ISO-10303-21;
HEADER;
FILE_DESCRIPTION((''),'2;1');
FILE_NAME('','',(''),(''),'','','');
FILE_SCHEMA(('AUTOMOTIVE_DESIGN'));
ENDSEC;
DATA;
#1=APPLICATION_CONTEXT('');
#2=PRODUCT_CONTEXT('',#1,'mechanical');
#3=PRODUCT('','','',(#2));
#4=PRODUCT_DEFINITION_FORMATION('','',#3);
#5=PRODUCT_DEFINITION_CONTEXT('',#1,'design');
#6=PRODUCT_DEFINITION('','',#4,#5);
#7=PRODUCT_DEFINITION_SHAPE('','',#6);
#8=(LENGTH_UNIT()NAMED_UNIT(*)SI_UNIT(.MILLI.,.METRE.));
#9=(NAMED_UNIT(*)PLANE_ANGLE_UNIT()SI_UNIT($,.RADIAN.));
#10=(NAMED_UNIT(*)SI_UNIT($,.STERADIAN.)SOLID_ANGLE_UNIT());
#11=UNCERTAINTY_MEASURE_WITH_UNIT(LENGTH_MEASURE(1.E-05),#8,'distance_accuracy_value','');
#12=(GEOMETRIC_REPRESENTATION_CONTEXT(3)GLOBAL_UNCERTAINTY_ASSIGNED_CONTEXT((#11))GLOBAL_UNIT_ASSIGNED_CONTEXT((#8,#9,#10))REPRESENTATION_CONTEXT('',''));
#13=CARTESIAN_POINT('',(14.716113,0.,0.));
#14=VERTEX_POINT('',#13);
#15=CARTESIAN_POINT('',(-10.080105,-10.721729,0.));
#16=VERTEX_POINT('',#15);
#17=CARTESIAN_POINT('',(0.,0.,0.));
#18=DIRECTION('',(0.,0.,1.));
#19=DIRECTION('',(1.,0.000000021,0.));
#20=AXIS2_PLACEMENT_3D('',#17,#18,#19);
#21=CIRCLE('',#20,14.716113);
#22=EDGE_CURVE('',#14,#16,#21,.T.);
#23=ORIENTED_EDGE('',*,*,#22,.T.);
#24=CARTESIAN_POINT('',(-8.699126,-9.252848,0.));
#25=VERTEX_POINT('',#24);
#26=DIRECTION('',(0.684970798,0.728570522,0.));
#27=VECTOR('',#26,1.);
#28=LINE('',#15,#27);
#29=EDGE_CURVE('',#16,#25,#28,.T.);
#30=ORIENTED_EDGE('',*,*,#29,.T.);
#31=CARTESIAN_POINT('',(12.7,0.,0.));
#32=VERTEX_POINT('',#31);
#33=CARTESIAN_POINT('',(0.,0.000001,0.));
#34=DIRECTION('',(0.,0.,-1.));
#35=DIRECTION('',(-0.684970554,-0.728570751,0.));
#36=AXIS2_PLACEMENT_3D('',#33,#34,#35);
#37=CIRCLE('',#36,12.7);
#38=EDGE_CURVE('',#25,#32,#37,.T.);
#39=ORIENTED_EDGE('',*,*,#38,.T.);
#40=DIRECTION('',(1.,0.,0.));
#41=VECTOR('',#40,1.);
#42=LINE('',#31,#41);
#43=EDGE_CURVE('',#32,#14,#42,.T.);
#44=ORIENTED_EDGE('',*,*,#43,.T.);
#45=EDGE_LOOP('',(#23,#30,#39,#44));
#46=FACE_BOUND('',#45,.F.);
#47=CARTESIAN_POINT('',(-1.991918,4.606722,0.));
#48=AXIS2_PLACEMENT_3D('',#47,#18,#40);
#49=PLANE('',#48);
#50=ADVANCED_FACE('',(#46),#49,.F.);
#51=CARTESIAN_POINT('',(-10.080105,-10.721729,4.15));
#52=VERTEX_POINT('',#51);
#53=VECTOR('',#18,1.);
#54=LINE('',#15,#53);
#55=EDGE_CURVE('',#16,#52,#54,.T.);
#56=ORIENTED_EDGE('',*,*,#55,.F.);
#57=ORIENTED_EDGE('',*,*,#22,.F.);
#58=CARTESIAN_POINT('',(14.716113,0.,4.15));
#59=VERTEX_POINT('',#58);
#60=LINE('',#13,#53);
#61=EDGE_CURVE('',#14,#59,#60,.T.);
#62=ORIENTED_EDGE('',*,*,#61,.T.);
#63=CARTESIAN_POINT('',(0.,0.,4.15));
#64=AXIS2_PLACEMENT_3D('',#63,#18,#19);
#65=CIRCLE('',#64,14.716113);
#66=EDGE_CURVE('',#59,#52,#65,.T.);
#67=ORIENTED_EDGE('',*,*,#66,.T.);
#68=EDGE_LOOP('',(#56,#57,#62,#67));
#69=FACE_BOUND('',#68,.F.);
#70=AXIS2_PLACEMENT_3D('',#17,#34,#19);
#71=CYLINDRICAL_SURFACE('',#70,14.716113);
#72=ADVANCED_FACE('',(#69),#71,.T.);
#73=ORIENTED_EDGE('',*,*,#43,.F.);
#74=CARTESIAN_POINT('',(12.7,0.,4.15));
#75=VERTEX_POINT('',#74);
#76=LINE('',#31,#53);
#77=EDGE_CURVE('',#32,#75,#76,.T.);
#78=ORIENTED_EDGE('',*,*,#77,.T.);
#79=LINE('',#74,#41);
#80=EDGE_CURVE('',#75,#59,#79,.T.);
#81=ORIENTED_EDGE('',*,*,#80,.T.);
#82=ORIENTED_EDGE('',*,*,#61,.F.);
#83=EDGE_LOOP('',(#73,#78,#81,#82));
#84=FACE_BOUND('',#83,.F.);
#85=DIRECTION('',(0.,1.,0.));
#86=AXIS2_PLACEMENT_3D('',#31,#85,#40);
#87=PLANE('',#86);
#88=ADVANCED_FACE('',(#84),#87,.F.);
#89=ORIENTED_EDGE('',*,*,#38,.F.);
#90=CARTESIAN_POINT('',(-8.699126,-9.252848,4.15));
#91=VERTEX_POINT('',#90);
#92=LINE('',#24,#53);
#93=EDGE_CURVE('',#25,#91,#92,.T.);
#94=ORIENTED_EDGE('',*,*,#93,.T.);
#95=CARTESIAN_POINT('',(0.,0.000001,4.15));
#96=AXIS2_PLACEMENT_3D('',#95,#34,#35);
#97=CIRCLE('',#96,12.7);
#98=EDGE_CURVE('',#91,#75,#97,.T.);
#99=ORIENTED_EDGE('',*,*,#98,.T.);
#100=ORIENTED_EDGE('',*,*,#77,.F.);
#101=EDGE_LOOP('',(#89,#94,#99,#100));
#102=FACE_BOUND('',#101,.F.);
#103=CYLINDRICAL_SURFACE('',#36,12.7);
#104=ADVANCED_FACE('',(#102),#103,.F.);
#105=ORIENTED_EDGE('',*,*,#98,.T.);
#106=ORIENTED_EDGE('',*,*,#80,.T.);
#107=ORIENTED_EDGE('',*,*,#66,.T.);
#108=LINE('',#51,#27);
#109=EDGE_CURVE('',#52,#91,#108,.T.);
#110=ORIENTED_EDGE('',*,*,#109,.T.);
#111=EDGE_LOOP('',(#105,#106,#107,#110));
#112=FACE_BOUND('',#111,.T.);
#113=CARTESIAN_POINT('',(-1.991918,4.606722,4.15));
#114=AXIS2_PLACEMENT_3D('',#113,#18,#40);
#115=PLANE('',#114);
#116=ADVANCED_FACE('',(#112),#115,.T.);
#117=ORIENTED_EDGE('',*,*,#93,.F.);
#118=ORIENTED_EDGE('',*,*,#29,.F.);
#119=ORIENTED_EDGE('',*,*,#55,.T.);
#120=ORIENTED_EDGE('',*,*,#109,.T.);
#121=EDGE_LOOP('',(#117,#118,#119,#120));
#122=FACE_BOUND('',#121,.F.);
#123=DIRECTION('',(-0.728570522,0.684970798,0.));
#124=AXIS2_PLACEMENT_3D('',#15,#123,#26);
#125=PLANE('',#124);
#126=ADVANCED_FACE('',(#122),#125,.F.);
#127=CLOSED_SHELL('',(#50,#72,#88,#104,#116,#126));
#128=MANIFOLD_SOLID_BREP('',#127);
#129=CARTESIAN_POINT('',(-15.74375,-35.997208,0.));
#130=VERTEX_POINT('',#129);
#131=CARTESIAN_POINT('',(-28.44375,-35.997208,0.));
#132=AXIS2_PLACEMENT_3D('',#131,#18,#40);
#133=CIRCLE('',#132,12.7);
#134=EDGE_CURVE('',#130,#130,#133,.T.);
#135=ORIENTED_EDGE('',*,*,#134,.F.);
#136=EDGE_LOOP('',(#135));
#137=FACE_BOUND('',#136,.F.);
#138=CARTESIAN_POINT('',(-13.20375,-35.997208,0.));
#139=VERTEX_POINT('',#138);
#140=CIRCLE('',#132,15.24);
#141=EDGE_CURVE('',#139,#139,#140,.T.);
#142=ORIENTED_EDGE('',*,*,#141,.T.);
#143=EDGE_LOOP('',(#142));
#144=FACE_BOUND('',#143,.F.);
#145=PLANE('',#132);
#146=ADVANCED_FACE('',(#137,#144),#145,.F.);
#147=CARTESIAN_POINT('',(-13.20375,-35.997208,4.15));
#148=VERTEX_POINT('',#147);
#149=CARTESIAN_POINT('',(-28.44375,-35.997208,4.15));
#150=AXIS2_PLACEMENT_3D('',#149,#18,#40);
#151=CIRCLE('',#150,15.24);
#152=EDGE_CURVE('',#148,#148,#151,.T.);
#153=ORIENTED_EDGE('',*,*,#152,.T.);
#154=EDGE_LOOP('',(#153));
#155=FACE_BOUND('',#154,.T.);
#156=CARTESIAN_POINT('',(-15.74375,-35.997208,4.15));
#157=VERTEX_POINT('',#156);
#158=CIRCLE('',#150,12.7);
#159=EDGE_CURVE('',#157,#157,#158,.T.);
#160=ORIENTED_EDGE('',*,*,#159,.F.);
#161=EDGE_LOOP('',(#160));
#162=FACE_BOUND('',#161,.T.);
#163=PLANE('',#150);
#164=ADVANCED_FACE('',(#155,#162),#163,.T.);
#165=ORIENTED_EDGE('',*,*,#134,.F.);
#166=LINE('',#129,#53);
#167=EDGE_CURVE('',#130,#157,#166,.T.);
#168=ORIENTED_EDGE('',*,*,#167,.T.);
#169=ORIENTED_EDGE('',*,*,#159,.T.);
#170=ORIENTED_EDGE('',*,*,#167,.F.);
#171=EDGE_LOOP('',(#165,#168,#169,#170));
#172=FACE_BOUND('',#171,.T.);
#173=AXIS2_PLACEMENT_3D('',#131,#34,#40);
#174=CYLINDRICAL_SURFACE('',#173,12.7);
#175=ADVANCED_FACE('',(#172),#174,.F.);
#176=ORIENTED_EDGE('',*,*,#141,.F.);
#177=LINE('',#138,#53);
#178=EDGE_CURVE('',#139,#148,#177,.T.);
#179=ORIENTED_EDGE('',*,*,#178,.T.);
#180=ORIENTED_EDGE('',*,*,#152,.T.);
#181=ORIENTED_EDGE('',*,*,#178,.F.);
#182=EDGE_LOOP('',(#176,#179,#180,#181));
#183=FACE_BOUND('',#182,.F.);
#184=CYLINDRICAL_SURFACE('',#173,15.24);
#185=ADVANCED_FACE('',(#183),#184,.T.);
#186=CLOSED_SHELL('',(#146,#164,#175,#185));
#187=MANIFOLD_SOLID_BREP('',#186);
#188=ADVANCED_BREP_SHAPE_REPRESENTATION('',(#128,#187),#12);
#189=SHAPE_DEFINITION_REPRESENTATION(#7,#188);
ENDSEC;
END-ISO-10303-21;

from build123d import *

# Parameters (mm, degrees)
F0_R     = 15.24
F0_R_2   = 12.7
F1_DEPTH = 4.15


with BuildPart() as f1:
    # F0 (on Top) → F1 (new body)
    with BuildSketch(Plane.XY):
        with BuildLine():
            ThreePointArc((-8.699126, -9.252848), (-5.040392, 11.656949), (12.7, 0))
            Line((12.7, 0), (14.716113, 0))
            ThreePointArc((14.716113, 0), (-5.840549, 13.507478), (-10.080105, -10.721729))
            Line((-10.080105, -10.721729), (-8.699126, -9.252848))
        make_face()
        with Locations((-28.44375, -35.997208)):
            Circle(F0_R)
        with Locations((-28.44375, -35.997208)):
            Circle(F0_R_2, mode=Mode.SUBTRACT)
    extrude(amount=F1_DEPTH)


solid = f1.part
